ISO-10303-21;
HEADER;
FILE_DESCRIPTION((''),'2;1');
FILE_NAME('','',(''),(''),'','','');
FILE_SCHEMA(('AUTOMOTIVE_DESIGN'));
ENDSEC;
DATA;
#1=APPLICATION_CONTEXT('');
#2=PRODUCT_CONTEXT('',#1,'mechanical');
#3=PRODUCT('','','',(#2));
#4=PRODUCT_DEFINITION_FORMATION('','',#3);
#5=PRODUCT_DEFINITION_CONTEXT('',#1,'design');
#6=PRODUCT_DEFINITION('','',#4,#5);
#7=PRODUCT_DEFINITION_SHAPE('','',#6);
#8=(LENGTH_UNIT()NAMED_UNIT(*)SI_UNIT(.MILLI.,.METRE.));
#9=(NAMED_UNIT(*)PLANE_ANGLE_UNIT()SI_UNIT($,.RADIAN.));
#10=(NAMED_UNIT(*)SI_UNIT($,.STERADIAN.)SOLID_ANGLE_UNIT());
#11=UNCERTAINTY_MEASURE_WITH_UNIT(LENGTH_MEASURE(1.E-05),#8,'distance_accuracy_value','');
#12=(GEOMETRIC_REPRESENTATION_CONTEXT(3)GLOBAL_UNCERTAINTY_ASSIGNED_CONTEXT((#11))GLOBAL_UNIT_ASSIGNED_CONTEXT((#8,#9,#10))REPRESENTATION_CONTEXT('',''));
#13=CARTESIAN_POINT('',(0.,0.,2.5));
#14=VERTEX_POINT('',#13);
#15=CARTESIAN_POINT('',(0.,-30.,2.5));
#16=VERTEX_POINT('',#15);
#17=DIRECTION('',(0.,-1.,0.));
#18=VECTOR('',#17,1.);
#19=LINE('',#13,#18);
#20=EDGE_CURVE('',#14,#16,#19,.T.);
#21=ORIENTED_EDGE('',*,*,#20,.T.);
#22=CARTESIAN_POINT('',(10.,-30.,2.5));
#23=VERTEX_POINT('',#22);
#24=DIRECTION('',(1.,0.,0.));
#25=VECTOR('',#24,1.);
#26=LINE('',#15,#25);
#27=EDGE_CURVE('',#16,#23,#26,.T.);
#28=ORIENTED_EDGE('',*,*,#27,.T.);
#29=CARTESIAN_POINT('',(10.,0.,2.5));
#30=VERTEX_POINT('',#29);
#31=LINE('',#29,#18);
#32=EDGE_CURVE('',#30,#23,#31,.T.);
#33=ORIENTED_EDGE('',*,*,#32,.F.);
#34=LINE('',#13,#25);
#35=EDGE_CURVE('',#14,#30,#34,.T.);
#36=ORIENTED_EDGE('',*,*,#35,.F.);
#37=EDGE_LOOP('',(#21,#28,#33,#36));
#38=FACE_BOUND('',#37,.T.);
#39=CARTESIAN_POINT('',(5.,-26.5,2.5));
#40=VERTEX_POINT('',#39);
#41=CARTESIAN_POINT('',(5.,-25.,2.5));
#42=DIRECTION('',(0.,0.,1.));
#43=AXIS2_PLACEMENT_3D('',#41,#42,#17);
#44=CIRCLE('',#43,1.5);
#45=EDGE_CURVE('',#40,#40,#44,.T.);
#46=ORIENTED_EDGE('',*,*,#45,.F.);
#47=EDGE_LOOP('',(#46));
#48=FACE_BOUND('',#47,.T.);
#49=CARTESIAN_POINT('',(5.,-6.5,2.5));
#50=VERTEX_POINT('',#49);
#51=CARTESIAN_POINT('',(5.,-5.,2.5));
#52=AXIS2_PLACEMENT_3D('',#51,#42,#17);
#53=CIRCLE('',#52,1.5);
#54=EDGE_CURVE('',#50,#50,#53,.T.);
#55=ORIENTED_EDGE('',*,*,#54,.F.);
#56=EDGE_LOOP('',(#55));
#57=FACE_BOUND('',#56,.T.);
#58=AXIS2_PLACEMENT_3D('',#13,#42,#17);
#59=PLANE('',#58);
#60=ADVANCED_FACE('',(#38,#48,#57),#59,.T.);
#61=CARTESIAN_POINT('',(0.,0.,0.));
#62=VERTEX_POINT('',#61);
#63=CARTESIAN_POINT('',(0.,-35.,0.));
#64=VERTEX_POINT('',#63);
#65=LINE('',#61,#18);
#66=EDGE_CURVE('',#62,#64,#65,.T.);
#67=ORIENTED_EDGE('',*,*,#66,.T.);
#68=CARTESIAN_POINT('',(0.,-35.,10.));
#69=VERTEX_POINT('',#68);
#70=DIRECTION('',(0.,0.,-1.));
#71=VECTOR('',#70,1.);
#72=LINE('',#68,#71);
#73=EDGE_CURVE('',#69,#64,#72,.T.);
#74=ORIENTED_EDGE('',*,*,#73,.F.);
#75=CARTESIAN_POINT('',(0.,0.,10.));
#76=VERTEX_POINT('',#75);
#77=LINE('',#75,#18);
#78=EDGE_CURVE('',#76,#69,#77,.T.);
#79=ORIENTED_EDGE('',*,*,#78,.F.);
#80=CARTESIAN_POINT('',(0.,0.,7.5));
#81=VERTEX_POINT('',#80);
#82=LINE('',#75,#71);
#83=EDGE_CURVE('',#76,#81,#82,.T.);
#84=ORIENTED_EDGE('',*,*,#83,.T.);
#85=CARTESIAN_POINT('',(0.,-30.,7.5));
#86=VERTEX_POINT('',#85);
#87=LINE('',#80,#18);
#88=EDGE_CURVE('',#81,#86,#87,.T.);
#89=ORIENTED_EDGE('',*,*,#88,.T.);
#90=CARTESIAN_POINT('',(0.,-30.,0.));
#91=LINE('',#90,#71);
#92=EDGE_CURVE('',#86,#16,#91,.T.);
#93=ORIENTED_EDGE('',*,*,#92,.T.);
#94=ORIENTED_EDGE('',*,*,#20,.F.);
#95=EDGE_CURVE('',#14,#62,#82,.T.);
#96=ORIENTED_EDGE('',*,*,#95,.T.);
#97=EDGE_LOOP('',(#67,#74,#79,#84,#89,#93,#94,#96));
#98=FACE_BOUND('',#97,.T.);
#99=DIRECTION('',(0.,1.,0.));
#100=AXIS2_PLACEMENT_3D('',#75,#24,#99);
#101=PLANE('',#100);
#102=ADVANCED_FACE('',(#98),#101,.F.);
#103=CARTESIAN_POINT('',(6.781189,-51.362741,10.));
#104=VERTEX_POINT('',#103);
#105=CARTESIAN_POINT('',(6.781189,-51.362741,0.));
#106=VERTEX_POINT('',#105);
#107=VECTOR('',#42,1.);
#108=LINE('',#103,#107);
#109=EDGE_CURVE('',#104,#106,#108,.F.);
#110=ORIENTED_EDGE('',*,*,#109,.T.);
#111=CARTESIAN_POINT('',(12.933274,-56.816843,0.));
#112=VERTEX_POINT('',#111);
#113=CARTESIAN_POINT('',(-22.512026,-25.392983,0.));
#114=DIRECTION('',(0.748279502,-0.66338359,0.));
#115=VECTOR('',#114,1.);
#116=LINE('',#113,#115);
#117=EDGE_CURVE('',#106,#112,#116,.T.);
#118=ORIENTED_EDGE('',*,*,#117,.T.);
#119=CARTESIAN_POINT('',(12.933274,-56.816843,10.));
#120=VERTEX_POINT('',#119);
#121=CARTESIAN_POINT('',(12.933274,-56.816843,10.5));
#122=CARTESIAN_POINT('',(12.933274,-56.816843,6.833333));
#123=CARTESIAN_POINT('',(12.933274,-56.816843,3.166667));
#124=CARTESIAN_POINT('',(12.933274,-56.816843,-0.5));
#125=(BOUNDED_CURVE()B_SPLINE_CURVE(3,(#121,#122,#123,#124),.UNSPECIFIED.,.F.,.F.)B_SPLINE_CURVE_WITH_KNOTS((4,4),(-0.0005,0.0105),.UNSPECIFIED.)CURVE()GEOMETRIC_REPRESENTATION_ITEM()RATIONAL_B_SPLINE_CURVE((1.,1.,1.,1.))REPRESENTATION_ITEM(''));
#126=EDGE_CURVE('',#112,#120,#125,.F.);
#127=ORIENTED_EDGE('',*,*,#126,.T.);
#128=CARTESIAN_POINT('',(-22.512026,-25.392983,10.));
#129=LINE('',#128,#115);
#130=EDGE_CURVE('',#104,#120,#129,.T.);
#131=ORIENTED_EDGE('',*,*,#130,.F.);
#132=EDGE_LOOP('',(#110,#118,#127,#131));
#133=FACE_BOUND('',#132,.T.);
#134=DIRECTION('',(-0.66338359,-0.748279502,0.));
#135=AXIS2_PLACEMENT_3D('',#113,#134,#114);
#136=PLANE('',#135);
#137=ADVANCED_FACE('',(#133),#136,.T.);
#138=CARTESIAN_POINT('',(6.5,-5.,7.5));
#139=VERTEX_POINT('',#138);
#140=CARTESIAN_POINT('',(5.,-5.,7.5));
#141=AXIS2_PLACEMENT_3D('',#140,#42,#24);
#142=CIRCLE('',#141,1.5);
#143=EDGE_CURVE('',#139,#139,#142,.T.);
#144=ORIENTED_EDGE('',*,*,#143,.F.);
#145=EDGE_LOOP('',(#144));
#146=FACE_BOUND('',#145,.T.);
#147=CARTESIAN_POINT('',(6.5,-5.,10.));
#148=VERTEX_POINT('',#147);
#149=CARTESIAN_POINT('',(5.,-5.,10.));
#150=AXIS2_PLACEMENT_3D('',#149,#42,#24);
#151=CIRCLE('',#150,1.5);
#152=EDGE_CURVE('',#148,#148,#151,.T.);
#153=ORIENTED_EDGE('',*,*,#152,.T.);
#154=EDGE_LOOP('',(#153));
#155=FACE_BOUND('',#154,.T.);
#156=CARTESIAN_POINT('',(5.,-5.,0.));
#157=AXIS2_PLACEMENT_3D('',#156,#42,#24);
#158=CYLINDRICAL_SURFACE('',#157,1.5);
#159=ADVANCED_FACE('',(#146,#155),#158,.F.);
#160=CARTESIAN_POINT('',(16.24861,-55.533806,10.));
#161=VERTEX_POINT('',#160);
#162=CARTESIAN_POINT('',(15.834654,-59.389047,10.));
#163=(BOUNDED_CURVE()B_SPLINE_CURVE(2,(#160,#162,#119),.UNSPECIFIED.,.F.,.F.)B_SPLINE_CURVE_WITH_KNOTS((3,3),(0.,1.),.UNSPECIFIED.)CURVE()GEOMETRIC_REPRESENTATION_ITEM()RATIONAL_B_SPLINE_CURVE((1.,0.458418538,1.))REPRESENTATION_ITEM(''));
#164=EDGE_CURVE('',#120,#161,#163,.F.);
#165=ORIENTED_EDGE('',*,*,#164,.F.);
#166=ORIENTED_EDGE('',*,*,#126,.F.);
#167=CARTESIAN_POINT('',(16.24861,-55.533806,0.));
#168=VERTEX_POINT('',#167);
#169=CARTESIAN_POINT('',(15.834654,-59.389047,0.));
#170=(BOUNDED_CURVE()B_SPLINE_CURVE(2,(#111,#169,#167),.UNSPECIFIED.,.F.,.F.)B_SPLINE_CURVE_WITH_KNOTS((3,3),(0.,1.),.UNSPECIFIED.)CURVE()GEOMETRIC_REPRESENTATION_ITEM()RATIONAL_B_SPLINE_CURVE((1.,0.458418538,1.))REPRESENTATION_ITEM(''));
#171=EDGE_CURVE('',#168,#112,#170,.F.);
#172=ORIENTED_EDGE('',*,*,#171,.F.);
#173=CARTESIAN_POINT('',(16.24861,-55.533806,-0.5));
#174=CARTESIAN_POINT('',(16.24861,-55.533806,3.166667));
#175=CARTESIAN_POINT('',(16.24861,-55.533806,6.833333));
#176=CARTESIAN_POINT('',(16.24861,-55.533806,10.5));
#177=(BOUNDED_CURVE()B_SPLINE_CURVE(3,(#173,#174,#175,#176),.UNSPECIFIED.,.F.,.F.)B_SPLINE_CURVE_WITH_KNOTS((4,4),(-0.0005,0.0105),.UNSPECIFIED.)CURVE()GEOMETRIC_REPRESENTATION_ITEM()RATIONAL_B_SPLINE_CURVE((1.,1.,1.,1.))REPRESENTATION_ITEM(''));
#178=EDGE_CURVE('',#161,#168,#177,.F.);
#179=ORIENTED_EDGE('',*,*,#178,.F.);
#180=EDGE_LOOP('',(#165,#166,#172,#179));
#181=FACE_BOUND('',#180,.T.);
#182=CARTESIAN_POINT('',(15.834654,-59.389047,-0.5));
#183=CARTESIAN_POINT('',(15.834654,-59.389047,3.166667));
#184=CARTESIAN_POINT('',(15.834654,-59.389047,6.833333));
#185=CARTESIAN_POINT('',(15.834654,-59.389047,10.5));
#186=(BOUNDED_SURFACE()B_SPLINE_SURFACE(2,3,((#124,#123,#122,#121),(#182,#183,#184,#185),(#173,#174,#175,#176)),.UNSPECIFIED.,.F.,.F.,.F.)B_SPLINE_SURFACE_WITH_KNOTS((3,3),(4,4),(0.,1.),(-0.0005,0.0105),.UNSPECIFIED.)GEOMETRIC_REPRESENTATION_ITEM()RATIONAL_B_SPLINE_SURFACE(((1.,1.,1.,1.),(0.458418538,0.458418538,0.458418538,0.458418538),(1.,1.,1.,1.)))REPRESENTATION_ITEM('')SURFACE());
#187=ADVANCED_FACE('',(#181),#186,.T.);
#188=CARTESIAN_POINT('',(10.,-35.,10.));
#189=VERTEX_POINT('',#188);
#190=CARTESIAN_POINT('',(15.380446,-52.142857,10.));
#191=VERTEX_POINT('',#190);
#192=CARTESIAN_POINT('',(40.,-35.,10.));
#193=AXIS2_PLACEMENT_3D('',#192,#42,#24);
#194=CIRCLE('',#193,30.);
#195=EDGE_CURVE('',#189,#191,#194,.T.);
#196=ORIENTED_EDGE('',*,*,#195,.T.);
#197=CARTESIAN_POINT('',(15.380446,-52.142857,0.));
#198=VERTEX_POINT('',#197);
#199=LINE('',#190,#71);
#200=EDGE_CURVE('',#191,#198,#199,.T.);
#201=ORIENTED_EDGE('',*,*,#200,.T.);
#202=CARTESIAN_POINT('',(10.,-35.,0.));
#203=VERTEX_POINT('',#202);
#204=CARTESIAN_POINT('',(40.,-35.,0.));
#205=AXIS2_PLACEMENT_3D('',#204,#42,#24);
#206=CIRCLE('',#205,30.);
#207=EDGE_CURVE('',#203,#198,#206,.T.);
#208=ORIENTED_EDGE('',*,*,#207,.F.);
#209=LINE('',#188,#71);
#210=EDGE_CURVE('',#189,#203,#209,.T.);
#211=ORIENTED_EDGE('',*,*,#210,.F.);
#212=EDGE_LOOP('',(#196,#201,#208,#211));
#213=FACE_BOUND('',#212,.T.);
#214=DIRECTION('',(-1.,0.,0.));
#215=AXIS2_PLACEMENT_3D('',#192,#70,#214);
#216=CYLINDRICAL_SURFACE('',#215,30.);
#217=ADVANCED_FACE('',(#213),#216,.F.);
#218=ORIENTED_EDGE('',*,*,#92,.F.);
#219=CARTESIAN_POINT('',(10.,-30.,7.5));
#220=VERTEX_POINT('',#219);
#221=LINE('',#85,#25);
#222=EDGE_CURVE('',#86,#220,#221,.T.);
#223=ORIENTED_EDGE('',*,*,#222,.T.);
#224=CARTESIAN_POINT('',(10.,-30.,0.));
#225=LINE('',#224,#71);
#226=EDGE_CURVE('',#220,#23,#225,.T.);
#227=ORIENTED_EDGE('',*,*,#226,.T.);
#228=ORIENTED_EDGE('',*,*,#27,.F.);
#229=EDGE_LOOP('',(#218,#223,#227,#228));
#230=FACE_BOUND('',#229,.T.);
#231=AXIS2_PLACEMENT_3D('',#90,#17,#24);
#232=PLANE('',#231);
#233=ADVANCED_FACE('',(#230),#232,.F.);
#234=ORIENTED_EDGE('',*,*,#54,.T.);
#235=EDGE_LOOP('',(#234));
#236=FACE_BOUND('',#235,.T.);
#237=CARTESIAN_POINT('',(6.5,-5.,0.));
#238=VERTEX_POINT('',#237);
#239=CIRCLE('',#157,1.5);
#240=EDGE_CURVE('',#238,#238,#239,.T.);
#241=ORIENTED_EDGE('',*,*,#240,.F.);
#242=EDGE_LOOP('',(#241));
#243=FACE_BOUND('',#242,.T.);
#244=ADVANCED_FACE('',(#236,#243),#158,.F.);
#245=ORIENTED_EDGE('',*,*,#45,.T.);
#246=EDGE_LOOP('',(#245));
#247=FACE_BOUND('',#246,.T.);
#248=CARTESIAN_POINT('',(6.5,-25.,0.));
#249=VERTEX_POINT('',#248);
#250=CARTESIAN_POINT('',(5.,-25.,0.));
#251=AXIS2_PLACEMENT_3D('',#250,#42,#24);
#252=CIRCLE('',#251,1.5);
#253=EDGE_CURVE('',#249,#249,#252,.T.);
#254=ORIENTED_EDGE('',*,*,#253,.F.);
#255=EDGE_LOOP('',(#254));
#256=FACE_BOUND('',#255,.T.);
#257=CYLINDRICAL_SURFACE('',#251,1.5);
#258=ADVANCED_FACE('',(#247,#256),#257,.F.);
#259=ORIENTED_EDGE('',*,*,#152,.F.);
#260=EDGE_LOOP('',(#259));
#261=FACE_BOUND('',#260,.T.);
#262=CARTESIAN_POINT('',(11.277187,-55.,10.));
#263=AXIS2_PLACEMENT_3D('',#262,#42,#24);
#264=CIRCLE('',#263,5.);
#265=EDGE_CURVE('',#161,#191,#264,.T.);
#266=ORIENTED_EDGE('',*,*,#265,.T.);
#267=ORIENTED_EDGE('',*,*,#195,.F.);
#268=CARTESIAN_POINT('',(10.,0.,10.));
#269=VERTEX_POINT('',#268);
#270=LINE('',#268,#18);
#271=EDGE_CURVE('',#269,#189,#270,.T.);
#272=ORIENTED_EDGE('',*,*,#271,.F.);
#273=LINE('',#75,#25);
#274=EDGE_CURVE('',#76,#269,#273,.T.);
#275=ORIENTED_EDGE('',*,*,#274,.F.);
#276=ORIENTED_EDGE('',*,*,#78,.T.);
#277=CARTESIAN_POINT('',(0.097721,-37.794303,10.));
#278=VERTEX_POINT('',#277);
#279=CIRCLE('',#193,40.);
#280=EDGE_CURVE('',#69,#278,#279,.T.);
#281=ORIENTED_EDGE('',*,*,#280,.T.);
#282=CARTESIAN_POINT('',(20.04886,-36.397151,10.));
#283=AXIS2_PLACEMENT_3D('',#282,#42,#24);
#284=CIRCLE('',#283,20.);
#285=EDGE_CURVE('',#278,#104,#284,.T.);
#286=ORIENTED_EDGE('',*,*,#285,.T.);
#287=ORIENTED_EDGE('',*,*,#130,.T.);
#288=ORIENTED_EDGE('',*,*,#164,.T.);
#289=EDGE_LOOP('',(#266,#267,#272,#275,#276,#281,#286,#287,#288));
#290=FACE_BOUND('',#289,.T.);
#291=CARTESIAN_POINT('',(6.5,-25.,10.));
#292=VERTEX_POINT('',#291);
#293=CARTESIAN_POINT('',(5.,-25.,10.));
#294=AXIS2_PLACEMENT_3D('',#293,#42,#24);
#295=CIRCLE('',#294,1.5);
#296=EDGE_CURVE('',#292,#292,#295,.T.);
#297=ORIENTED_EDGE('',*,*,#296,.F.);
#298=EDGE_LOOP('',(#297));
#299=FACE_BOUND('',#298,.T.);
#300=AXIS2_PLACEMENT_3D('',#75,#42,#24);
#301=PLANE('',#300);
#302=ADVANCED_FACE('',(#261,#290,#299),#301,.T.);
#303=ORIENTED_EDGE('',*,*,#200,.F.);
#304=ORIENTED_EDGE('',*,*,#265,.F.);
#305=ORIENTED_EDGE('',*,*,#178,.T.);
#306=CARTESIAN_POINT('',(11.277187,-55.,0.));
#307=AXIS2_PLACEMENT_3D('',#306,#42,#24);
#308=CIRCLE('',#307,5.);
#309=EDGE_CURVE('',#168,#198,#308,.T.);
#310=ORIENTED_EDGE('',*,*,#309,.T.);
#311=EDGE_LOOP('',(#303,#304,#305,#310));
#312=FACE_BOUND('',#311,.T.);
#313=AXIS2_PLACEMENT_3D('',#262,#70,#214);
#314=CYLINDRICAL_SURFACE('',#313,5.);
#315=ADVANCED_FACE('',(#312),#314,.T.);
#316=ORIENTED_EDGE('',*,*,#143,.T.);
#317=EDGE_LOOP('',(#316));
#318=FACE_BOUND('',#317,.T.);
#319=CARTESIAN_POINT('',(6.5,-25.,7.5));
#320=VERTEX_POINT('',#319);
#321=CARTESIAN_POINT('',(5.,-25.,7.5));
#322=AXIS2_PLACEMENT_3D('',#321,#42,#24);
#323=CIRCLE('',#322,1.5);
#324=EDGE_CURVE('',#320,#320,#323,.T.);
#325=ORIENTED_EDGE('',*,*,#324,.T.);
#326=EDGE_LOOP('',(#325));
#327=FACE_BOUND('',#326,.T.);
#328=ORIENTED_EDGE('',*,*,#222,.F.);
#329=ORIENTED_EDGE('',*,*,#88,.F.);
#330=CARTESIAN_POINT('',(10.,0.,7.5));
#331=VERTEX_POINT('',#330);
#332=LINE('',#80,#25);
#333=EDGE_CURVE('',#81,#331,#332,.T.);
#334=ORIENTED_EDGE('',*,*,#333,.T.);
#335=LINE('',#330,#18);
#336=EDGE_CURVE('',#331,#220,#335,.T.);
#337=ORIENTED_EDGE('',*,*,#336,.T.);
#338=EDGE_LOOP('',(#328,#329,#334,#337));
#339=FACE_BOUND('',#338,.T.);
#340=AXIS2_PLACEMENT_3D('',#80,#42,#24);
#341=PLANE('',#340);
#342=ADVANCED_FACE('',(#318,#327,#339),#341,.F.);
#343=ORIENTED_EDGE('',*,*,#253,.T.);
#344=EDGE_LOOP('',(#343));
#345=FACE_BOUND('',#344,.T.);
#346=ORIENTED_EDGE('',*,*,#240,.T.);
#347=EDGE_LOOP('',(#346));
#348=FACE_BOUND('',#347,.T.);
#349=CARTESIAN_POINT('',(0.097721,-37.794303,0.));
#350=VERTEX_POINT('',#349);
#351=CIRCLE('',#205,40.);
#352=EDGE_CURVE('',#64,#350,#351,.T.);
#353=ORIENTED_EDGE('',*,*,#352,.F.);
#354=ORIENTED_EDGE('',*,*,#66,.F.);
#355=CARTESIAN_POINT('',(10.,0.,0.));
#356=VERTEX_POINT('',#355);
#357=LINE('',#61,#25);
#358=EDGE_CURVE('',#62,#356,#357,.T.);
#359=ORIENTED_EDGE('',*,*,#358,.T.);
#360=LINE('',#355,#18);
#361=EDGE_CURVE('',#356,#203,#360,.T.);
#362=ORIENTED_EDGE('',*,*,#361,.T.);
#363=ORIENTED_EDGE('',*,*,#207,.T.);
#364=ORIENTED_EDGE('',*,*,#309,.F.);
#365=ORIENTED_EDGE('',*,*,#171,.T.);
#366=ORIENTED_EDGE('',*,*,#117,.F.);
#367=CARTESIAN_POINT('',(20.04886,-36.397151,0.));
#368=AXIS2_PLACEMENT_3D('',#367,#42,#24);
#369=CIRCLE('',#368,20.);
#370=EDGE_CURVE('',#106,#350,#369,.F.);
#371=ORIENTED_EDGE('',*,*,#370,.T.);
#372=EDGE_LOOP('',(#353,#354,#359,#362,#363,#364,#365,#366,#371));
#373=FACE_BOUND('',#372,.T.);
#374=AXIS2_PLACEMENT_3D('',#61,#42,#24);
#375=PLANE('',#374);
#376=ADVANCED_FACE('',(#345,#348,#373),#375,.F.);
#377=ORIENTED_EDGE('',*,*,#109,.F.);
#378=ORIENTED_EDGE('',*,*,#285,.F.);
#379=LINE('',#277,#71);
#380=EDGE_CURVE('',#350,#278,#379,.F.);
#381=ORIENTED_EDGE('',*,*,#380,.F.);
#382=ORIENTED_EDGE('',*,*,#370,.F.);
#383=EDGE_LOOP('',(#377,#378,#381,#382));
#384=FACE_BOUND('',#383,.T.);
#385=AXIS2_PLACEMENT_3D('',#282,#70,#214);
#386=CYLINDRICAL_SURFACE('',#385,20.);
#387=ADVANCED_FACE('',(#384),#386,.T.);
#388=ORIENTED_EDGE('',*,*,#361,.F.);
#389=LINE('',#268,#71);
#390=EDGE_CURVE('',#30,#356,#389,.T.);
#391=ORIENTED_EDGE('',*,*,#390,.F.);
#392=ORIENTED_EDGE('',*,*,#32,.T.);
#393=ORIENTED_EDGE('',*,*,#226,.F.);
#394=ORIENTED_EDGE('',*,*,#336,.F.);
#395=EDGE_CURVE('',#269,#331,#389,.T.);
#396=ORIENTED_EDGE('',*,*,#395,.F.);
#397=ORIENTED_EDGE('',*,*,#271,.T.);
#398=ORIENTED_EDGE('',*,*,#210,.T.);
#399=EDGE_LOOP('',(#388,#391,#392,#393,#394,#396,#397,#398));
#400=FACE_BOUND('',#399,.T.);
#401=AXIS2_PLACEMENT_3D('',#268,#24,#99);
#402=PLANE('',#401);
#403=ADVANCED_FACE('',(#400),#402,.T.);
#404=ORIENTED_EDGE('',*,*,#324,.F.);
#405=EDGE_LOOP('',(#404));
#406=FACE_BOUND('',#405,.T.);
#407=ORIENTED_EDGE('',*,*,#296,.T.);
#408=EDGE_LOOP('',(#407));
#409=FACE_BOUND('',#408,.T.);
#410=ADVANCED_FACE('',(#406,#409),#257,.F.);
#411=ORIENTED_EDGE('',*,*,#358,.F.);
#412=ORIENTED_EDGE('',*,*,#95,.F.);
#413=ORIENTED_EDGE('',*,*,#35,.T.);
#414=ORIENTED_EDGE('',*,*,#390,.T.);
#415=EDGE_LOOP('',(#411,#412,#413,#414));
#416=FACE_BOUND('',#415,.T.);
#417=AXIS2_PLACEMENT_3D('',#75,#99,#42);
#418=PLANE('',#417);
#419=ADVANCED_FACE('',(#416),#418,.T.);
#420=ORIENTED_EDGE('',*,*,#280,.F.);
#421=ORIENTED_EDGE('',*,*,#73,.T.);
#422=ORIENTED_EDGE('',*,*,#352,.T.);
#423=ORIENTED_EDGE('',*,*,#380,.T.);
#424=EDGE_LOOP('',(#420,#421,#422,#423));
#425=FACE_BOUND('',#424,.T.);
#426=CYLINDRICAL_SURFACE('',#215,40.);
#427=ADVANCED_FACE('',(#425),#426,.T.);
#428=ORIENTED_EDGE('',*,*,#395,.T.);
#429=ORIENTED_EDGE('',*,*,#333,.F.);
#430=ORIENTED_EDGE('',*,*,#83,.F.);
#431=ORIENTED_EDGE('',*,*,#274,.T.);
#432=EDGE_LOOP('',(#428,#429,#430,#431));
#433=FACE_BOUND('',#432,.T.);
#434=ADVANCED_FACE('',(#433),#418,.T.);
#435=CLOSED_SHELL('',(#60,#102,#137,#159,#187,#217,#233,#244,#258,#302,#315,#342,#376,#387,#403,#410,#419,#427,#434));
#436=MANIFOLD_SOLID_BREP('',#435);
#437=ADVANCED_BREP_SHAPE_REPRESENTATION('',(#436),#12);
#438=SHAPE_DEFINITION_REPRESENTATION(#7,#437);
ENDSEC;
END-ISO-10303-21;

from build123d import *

# Parameters (mm, degrees)
BOSS_EXTRU_1_DEPTH      = 10
ESQUISSE2_W             = 5
ESQUISSE2_H             = 30
ENL_V_MAT_EXTRU_1_DEPTH = 62.64414003
ESQUISSE3_R             = 1.5
ENL_V_MAT_EXTRU_2_DEPTH = 63.967823601
ESQUISSE5_R             = 1.5
ENL_V_MAT_EXTRU_3_DEPTH = 63.967823601
ENL_V_MAT_EXTRU_4_DEPTH = 63.967823601
CONG_VARIABLE1_R        = 2
CONG_4_R                = 20


with BuildPart() as part:
    # Esquisse1 → Boss.-Extru.1 (new body)
    with BuildSketch(Plane.XY):
        with BuildLine():
            ThreePointArc((0, -35), (1.835599765, -46.978253407), (7.173927734, -57.857142857))
            ThreePointArc((7.173927734, -57.857142857), (14.134329624, -59.103259033), (15.380445801, -52.142857143))
            ThreePointArc((15.380445801, -52.142857143), (11.376699824, -43.983690055), (10, -35))
            Line((10, -35), (10, 0))
            Line((10, 0), (0, 0))
            Line((0, 0), (0, -35))
        make_face()
    extrude(amount=BOSS_EXTRU_1_DEPTH)

    # Esquisse2 → Enl_v. mat.-Extru.1 (cut, through all)
    with BuildSketch(Plane(origin=(10, 0, 0), x_dir=(0, 0, -1), z_dir=(1, 0, 0))):
        with Locations((-5, -15)):
            Rectangle(ESQUISSE2_W, ESQUISSE2_H)
    extrude(amount=-ENL_V_MAT_EXTRU_1_DEPTH, mode=Mode.SUBTRACT)

    # Esquisse3 → Enl_v. mat.-Extru.2 (cut, through all)
    with BuildSketch(Plane.XY.offset(10)):
        with Locations((5, -5)):
            Circle(ESQUISSE3_R)
    extrude(amount=-ENL_V_MAT_EXTRU_2_DEPTH, mode=Mode.SUBTRACT)

    # Esquisse5 → Enl_v. mat.-Extru.3 (cut, through all)
    with BuildSketch(Plane.XY.offset(10)):
        with Locations((5, -25)):
            Circle(ESQUISSE5_R)
    extrude(amount=-ENL_V_MAT_EXTRU_3_DEPTH, mode=Mode.SUBTRACT)

    # Esquisse6 → Enl_v. mat.-Extru.4 (cut, through all)
    with BuildSketch(Plane.XY.offset(10)):
        with BuildLine():
            Line((14.840420876, -58.507614957), (1.835599765, -46.978253407))
            ThreePointArc((1.835599765, -46.978253407), (4.090400233, -52.621028477), (7.173927734, -57.857142857))
            ThreePointArc((7.173927734, -57.857142857), (10.854475024, -59.982099435), (14.840420876, -58.507614957))
        make_face()
    extrude(amount=-ENL_V_MAT_EXTRU_4_DEPTH, mode=Mode.SUBTRACT)

    # Cong_ variable1
    cong_variable1_edges = [part.edges().sort_by_distance(p)[0] for p in [
        (14.840420876, -58.507614957, 5),
    ]]
    fillet(cong_variable1_edges, radius=CONG_VARIABLE1_R)

    # Cong_4
    cong_4_edges = [part.edges().sort_by_distance(p)[0] for p in [
        (1.835599765, -46.978253407, 5),
    ]]
    fillet(cong_4_edges, radius=CONG_4_R)


solid = part.part
